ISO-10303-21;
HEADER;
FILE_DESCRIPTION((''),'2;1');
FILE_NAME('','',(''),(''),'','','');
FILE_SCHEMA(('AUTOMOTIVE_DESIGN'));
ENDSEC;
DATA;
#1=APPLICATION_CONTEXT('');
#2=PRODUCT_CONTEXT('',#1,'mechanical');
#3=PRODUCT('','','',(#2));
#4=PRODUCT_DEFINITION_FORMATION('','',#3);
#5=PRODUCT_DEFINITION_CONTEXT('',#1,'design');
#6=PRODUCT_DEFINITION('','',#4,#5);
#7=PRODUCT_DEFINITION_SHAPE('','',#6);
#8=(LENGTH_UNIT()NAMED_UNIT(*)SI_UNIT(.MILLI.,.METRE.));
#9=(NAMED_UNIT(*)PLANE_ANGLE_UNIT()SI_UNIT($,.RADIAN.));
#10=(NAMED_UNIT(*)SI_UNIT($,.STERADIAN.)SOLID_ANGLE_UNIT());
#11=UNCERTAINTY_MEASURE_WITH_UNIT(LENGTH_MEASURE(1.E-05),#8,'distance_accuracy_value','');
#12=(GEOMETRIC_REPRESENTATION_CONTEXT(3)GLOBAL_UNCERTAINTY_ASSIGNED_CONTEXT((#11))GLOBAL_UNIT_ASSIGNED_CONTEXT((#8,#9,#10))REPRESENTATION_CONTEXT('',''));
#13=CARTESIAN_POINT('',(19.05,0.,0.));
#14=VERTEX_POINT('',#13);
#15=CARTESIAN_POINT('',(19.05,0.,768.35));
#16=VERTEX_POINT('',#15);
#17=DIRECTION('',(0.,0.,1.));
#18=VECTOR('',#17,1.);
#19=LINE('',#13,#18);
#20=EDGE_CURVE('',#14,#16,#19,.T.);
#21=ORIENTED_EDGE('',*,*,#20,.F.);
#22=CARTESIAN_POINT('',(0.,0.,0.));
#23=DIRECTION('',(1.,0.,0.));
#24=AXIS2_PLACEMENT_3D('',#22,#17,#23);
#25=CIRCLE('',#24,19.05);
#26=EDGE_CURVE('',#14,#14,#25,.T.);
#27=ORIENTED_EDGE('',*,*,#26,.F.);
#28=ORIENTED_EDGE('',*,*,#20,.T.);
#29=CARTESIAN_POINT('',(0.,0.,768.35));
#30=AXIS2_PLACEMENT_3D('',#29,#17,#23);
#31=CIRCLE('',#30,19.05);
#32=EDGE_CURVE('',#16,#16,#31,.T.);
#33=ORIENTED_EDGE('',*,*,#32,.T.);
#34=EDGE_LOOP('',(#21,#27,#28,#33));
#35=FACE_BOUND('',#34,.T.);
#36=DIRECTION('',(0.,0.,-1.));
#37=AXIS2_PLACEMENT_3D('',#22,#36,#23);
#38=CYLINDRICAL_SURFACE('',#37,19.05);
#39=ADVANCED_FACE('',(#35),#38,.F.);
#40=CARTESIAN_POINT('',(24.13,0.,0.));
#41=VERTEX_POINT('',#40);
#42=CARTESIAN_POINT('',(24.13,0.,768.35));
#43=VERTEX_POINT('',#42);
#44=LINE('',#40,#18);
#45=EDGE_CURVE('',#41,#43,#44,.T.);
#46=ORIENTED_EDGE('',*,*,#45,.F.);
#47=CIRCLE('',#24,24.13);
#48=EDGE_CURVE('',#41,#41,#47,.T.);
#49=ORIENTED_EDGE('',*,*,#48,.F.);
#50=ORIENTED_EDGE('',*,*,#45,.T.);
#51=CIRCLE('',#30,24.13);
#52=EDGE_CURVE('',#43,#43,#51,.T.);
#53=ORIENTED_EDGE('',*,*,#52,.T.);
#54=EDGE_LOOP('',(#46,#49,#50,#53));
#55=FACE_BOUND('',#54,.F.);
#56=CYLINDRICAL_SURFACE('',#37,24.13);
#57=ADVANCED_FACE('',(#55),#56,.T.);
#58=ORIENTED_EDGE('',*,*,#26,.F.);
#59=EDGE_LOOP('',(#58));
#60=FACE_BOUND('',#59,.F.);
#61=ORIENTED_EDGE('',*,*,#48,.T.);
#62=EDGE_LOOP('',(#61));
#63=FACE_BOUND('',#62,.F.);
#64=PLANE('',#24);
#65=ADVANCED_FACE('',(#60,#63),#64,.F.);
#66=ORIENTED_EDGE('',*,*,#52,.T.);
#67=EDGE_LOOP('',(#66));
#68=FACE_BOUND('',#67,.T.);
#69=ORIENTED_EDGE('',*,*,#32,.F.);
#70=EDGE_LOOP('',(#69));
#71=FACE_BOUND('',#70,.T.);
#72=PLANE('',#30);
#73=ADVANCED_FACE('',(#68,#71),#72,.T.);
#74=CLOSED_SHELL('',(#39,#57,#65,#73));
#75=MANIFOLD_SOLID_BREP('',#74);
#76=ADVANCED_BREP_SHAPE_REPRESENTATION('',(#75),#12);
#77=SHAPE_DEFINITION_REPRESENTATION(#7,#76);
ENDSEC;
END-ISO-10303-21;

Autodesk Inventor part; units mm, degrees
ref_plane "YZ Plane" through (0, 0, 0) normal (1, 0, 0) x (0, 1, 0)
ref_plane "XZ Plane" through (0, 0, 0) normal (0, 1, 0) x (-1, 0, 0)
ref_plane "XY Plane" through (0, 0, 0) normal (0, 0, 1) x (1, 0, 0)
sketch "Sketch1" plane through (0, 0, 0) normal (0, 0, 1) x (1, 0, 0)
  circle A0 centre (0, 0) radius 24.13
  circle A1 centre (0, 0) radius 19.05
  dimension "d0" = 48.26
  dimension "d1" = 38.1
extrude "Extrusion1" add sketch "Sketch1" along normal blind 768.35
properties part number "A1-18002-100-32 1.25in x 3ft bar tube" material "PVC-Piping"
